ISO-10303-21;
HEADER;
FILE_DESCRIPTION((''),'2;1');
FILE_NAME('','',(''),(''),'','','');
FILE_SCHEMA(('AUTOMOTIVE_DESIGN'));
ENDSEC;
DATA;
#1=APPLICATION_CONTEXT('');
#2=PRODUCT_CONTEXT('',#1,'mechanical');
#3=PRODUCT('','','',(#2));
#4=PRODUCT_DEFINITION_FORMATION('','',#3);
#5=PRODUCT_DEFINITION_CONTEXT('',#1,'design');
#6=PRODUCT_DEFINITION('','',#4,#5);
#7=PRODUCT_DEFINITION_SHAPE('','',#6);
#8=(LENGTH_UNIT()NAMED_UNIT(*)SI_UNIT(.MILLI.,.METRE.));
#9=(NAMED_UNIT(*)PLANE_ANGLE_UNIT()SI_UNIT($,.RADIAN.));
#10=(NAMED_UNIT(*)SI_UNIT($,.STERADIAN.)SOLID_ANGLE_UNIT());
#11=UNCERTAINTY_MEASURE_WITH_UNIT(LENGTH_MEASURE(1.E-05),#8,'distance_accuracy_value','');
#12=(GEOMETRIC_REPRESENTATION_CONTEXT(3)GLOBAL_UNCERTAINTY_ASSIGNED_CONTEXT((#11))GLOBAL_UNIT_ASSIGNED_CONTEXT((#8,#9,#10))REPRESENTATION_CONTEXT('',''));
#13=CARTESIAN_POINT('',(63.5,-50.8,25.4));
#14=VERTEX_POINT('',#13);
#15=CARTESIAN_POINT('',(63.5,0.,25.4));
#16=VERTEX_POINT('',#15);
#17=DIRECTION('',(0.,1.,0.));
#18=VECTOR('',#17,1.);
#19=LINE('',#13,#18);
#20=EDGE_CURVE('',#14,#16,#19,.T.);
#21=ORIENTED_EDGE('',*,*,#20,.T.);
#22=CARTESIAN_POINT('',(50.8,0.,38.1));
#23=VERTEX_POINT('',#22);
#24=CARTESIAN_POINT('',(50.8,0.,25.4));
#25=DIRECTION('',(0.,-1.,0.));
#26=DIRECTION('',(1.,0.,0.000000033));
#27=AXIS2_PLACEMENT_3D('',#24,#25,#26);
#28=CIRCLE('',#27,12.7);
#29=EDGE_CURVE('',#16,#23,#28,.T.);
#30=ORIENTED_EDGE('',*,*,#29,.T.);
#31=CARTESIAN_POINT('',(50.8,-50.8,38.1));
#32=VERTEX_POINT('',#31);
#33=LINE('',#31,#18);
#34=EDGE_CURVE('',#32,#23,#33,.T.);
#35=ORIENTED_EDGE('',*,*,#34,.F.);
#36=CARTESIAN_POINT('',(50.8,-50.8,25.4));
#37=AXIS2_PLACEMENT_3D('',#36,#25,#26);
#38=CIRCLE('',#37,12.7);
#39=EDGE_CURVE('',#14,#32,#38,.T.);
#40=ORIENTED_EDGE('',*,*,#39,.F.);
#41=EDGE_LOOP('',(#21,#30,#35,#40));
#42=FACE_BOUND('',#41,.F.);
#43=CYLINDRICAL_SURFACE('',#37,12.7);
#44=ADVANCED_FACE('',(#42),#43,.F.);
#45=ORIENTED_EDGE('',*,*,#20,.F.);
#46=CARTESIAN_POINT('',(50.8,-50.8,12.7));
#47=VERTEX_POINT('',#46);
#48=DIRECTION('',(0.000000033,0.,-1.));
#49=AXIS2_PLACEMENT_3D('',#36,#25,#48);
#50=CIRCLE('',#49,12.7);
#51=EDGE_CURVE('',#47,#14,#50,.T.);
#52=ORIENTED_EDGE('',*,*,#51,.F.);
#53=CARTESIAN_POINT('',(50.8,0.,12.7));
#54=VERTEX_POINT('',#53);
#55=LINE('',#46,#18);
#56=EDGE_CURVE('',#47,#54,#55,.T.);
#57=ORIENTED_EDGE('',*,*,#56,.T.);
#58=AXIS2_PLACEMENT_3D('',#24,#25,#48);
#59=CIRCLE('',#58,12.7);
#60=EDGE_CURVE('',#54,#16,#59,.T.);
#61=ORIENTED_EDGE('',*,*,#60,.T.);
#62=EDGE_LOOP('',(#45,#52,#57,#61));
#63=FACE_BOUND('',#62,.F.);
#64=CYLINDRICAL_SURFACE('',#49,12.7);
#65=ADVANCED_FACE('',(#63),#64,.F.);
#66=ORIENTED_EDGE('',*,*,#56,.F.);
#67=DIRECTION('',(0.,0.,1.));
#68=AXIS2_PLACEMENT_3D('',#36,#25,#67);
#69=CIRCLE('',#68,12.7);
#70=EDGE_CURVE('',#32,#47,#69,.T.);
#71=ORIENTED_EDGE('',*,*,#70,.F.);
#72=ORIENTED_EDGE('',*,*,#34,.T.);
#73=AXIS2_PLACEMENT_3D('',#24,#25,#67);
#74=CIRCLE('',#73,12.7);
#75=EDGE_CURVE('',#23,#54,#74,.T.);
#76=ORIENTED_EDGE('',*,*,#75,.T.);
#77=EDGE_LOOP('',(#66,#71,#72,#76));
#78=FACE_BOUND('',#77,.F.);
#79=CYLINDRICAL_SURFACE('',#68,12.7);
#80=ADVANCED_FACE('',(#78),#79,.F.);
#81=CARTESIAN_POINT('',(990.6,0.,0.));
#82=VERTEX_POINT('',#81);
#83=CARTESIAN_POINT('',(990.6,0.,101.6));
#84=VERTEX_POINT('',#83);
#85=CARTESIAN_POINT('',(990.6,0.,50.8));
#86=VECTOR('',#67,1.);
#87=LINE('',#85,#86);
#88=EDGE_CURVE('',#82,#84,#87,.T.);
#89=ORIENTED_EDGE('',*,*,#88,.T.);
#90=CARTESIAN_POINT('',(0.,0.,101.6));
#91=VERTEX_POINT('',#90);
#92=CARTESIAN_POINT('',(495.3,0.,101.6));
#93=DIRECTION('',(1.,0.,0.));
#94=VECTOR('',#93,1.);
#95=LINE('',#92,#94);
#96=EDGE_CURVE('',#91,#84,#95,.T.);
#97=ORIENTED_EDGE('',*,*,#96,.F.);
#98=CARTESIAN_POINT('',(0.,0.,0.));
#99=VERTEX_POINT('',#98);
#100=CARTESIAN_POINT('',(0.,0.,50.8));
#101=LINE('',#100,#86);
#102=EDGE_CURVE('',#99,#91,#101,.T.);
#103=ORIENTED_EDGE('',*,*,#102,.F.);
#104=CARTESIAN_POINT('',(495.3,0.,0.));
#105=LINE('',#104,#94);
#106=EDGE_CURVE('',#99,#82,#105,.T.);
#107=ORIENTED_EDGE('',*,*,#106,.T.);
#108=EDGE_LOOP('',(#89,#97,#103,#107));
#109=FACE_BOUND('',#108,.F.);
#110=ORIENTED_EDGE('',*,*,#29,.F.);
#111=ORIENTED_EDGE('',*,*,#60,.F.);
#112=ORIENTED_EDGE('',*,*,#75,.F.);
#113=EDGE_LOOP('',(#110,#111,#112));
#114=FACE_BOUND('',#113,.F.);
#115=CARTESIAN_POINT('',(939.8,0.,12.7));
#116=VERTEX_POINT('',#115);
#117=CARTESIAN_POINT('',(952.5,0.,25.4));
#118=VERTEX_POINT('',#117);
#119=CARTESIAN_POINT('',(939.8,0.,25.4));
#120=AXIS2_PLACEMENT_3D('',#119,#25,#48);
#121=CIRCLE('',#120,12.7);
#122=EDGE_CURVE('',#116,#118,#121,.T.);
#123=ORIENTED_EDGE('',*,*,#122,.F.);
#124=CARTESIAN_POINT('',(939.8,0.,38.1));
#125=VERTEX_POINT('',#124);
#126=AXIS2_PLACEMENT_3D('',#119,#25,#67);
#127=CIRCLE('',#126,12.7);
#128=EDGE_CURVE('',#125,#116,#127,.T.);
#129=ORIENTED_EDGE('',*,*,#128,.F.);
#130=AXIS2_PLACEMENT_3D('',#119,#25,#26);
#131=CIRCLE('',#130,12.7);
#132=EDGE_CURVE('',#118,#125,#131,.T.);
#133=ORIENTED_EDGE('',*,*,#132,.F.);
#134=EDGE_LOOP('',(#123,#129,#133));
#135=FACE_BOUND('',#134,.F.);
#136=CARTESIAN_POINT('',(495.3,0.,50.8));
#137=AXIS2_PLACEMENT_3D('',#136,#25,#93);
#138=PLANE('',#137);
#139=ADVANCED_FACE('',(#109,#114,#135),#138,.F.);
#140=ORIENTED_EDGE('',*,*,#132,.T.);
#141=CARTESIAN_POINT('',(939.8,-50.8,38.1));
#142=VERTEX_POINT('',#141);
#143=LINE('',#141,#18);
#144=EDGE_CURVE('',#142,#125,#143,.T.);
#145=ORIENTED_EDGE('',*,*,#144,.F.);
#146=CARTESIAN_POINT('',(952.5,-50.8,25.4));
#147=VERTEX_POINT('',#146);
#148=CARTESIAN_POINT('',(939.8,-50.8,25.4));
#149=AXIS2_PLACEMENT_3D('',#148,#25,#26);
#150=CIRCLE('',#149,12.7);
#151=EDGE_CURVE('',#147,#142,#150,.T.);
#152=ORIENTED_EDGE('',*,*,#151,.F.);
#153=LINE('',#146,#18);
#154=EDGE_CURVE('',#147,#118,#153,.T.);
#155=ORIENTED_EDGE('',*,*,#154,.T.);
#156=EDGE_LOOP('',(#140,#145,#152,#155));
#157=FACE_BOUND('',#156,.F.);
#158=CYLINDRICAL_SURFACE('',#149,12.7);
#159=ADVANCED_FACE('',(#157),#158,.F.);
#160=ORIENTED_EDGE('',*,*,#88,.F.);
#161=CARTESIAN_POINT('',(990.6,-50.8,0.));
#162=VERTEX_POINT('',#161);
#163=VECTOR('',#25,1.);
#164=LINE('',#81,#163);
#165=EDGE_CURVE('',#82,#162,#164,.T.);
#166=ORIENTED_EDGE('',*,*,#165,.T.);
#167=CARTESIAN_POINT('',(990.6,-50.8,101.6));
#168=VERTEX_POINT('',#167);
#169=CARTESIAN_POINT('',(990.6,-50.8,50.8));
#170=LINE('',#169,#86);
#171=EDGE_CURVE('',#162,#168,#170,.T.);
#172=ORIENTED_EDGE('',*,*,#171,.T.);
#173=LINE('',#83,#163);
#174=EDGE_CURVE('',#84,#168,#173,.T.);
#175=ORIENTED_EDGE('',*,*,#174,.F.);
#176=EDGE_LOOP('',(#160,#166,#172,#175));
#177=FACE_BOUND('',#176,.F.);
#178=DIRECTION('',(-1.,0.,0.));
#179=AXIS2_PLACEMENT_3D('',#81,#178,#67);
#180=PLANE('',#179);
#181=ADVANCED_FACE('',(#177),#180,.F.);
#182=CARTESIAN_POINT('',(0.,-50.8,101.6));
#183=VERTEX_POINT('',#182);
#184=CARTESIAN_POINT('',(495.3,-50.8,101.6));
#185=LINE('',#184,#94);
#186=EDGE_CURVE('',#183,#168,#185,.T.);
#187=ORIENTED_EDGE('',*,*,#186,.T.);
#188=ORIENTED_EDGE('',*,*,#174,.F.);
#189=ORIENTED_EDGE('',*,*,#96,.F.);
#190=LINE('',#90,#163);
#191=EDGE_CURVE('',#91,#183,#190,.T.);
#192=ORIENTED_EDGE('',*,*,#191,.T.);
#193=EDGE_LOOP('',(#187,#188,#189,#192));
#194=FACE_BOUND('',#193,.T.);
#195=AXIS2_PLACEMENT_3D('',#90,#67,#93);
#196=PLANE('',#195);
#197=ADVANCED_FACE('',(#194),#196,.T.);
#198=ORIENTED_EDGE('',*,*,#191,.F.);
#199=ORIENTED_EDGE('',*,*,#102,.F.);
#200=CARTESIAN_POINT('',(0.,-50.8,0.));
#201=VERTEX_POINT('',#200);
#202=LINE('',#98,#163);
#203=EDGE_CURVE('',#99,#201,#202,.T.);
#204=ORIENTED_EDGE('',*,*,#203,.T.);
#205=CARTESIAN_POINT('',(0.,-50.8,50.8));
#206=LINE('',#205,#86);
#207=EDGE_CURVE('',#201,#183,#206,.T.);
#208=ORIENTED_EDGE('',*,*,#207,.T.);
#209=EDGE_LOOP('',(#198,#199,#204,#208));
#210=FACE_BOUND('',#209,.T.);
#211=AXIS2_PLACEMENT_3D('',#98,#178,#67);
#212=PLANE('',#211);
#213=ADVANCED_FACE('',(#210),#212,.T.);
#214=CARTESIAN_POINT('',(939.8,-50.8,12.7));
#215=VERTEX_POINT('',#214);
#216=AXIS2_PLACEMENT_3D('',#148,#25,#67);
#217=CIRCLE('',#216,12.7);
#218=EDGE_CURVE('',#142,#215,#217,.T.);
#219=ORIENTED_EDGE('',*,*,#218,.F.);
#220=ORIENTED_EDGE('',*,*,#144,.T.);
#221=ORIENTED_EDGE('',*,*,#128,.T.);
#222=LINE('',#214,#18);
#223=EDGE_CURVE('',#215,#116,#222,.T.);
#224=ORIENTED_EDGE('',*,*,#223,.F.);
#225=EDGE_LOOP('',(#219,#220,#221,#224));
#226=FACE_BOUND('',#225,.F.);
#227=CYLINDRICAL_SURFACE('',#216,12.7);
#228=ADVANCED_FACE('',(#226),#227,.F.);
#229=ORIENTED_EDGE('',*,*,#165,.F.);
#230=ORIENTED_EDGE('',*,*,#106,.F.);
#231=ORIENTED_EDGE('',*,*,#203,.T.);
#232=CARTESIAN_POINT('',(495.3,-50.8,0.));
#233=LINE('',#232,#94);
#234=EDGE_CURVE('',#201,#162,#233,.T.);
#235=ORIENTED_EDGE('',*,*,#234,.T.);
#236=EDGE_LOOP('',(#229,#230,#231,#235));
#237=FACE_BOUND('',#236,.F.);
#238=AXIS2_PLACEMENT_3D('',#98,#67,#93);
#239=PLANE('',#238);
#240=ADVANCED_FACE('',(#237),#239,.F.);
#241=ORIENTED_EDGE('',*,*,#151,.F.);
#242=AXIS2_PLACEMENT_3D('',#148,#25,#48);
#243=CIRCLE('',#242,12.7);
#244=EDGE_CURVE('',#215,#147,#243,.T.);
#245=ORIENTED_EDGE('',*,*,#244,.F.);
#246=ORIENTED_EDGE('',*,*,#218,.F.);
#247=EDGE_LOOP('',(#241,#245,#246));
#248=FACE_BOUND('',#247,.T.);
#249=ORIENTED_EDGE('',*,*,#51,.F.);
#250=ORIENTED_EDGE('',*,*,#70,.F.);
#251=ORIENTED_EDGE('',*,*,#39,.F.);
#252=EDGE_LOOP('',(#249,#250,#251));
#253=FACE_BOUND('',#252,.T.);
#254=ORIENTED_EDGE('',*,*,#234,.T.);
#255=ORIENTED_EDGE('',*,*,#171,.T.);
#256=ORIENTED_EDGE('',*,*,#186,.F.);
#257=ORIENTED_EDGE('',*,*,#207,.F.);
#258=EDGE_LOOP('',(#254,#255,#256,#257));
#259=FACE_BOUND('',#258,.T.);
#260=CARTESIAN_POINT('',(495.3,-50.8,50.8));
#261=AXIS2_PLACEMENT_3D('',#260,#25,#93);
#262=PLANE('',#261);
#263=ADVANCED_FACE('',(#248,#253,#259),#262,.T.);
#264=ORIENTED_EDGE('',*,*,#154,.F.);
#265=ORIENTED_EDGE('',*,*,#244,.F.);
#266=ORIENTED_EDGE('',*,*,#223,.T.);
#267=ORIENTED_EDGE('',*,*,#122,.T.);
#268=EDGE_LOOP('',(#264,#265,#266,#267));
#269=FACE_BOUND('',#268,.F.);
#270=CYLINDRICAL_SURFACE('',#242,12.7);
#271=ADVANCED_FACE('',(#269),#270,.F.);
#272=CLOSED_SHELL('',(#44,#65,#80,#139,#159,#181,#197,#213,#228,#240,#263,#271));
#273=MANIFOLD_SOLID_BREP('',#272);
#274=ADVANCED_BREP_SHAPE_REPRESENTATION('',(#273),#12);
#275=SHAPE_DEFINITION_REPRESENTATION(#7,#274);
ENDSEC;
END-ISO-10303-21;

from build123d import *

# Parameters (mm, degrees)
F0_W     = 990.6
F0_H     = 101.6
F1_DEPTH = 50.8
F3_DEPTH = 50.801


with BuildPart() as f1:
    # F0 (on Front) → F1 (new body)
    with BuildSketch(Plane.XZ):
        with Locations((495.3, 50.8)):
            Rectangle(F0_W, F0_H)
    extrude(amount=F1_DEPTH)

    # F2 (on face) → F3 (cut, through all)
    with BuildSketch(Plane.XZ.offset(50.8)):
        with BuildLine():
            ThreePointArc((63.5, 25.4), (59.780256, 34.380256), (50.8, 38.1))
            Line((50.8, 38.1), (50.8, 12.7))
            ThreePointArc((50.8, 12.7), (59.780256, 16.419744), (63.5, 25.4))
        make_face()
        with BuildLine():
            Line((50.8, 12.7), (50.8, 38.1))
            ThreePointArc((50.8, 38.1), (38.1, 25.4), (50.8, 12.7))
        make_face()
        with BuildLine():
            ThreePointArc((952.5, 25.4), (948.780256, 34.380256), (939.8, 38.1))
            Line((939.8, 38.1), (939.8, 12.7))
            ThreePointArc((939.8, 12.7), (948.780256, 16.419744), (952.5, 25.4))
        make_face()
        with BuildLine():
            Line((939.8, 12.7), (939.8, 38.1))
            ThreePointArc((939.8, 38.1), (927.1, 25.4), (939.8, 12.7))
        make_face()
    extrude(amount=-F3_DEPTH, mode=Mode.SUBTRACT)


solid = f1.part
